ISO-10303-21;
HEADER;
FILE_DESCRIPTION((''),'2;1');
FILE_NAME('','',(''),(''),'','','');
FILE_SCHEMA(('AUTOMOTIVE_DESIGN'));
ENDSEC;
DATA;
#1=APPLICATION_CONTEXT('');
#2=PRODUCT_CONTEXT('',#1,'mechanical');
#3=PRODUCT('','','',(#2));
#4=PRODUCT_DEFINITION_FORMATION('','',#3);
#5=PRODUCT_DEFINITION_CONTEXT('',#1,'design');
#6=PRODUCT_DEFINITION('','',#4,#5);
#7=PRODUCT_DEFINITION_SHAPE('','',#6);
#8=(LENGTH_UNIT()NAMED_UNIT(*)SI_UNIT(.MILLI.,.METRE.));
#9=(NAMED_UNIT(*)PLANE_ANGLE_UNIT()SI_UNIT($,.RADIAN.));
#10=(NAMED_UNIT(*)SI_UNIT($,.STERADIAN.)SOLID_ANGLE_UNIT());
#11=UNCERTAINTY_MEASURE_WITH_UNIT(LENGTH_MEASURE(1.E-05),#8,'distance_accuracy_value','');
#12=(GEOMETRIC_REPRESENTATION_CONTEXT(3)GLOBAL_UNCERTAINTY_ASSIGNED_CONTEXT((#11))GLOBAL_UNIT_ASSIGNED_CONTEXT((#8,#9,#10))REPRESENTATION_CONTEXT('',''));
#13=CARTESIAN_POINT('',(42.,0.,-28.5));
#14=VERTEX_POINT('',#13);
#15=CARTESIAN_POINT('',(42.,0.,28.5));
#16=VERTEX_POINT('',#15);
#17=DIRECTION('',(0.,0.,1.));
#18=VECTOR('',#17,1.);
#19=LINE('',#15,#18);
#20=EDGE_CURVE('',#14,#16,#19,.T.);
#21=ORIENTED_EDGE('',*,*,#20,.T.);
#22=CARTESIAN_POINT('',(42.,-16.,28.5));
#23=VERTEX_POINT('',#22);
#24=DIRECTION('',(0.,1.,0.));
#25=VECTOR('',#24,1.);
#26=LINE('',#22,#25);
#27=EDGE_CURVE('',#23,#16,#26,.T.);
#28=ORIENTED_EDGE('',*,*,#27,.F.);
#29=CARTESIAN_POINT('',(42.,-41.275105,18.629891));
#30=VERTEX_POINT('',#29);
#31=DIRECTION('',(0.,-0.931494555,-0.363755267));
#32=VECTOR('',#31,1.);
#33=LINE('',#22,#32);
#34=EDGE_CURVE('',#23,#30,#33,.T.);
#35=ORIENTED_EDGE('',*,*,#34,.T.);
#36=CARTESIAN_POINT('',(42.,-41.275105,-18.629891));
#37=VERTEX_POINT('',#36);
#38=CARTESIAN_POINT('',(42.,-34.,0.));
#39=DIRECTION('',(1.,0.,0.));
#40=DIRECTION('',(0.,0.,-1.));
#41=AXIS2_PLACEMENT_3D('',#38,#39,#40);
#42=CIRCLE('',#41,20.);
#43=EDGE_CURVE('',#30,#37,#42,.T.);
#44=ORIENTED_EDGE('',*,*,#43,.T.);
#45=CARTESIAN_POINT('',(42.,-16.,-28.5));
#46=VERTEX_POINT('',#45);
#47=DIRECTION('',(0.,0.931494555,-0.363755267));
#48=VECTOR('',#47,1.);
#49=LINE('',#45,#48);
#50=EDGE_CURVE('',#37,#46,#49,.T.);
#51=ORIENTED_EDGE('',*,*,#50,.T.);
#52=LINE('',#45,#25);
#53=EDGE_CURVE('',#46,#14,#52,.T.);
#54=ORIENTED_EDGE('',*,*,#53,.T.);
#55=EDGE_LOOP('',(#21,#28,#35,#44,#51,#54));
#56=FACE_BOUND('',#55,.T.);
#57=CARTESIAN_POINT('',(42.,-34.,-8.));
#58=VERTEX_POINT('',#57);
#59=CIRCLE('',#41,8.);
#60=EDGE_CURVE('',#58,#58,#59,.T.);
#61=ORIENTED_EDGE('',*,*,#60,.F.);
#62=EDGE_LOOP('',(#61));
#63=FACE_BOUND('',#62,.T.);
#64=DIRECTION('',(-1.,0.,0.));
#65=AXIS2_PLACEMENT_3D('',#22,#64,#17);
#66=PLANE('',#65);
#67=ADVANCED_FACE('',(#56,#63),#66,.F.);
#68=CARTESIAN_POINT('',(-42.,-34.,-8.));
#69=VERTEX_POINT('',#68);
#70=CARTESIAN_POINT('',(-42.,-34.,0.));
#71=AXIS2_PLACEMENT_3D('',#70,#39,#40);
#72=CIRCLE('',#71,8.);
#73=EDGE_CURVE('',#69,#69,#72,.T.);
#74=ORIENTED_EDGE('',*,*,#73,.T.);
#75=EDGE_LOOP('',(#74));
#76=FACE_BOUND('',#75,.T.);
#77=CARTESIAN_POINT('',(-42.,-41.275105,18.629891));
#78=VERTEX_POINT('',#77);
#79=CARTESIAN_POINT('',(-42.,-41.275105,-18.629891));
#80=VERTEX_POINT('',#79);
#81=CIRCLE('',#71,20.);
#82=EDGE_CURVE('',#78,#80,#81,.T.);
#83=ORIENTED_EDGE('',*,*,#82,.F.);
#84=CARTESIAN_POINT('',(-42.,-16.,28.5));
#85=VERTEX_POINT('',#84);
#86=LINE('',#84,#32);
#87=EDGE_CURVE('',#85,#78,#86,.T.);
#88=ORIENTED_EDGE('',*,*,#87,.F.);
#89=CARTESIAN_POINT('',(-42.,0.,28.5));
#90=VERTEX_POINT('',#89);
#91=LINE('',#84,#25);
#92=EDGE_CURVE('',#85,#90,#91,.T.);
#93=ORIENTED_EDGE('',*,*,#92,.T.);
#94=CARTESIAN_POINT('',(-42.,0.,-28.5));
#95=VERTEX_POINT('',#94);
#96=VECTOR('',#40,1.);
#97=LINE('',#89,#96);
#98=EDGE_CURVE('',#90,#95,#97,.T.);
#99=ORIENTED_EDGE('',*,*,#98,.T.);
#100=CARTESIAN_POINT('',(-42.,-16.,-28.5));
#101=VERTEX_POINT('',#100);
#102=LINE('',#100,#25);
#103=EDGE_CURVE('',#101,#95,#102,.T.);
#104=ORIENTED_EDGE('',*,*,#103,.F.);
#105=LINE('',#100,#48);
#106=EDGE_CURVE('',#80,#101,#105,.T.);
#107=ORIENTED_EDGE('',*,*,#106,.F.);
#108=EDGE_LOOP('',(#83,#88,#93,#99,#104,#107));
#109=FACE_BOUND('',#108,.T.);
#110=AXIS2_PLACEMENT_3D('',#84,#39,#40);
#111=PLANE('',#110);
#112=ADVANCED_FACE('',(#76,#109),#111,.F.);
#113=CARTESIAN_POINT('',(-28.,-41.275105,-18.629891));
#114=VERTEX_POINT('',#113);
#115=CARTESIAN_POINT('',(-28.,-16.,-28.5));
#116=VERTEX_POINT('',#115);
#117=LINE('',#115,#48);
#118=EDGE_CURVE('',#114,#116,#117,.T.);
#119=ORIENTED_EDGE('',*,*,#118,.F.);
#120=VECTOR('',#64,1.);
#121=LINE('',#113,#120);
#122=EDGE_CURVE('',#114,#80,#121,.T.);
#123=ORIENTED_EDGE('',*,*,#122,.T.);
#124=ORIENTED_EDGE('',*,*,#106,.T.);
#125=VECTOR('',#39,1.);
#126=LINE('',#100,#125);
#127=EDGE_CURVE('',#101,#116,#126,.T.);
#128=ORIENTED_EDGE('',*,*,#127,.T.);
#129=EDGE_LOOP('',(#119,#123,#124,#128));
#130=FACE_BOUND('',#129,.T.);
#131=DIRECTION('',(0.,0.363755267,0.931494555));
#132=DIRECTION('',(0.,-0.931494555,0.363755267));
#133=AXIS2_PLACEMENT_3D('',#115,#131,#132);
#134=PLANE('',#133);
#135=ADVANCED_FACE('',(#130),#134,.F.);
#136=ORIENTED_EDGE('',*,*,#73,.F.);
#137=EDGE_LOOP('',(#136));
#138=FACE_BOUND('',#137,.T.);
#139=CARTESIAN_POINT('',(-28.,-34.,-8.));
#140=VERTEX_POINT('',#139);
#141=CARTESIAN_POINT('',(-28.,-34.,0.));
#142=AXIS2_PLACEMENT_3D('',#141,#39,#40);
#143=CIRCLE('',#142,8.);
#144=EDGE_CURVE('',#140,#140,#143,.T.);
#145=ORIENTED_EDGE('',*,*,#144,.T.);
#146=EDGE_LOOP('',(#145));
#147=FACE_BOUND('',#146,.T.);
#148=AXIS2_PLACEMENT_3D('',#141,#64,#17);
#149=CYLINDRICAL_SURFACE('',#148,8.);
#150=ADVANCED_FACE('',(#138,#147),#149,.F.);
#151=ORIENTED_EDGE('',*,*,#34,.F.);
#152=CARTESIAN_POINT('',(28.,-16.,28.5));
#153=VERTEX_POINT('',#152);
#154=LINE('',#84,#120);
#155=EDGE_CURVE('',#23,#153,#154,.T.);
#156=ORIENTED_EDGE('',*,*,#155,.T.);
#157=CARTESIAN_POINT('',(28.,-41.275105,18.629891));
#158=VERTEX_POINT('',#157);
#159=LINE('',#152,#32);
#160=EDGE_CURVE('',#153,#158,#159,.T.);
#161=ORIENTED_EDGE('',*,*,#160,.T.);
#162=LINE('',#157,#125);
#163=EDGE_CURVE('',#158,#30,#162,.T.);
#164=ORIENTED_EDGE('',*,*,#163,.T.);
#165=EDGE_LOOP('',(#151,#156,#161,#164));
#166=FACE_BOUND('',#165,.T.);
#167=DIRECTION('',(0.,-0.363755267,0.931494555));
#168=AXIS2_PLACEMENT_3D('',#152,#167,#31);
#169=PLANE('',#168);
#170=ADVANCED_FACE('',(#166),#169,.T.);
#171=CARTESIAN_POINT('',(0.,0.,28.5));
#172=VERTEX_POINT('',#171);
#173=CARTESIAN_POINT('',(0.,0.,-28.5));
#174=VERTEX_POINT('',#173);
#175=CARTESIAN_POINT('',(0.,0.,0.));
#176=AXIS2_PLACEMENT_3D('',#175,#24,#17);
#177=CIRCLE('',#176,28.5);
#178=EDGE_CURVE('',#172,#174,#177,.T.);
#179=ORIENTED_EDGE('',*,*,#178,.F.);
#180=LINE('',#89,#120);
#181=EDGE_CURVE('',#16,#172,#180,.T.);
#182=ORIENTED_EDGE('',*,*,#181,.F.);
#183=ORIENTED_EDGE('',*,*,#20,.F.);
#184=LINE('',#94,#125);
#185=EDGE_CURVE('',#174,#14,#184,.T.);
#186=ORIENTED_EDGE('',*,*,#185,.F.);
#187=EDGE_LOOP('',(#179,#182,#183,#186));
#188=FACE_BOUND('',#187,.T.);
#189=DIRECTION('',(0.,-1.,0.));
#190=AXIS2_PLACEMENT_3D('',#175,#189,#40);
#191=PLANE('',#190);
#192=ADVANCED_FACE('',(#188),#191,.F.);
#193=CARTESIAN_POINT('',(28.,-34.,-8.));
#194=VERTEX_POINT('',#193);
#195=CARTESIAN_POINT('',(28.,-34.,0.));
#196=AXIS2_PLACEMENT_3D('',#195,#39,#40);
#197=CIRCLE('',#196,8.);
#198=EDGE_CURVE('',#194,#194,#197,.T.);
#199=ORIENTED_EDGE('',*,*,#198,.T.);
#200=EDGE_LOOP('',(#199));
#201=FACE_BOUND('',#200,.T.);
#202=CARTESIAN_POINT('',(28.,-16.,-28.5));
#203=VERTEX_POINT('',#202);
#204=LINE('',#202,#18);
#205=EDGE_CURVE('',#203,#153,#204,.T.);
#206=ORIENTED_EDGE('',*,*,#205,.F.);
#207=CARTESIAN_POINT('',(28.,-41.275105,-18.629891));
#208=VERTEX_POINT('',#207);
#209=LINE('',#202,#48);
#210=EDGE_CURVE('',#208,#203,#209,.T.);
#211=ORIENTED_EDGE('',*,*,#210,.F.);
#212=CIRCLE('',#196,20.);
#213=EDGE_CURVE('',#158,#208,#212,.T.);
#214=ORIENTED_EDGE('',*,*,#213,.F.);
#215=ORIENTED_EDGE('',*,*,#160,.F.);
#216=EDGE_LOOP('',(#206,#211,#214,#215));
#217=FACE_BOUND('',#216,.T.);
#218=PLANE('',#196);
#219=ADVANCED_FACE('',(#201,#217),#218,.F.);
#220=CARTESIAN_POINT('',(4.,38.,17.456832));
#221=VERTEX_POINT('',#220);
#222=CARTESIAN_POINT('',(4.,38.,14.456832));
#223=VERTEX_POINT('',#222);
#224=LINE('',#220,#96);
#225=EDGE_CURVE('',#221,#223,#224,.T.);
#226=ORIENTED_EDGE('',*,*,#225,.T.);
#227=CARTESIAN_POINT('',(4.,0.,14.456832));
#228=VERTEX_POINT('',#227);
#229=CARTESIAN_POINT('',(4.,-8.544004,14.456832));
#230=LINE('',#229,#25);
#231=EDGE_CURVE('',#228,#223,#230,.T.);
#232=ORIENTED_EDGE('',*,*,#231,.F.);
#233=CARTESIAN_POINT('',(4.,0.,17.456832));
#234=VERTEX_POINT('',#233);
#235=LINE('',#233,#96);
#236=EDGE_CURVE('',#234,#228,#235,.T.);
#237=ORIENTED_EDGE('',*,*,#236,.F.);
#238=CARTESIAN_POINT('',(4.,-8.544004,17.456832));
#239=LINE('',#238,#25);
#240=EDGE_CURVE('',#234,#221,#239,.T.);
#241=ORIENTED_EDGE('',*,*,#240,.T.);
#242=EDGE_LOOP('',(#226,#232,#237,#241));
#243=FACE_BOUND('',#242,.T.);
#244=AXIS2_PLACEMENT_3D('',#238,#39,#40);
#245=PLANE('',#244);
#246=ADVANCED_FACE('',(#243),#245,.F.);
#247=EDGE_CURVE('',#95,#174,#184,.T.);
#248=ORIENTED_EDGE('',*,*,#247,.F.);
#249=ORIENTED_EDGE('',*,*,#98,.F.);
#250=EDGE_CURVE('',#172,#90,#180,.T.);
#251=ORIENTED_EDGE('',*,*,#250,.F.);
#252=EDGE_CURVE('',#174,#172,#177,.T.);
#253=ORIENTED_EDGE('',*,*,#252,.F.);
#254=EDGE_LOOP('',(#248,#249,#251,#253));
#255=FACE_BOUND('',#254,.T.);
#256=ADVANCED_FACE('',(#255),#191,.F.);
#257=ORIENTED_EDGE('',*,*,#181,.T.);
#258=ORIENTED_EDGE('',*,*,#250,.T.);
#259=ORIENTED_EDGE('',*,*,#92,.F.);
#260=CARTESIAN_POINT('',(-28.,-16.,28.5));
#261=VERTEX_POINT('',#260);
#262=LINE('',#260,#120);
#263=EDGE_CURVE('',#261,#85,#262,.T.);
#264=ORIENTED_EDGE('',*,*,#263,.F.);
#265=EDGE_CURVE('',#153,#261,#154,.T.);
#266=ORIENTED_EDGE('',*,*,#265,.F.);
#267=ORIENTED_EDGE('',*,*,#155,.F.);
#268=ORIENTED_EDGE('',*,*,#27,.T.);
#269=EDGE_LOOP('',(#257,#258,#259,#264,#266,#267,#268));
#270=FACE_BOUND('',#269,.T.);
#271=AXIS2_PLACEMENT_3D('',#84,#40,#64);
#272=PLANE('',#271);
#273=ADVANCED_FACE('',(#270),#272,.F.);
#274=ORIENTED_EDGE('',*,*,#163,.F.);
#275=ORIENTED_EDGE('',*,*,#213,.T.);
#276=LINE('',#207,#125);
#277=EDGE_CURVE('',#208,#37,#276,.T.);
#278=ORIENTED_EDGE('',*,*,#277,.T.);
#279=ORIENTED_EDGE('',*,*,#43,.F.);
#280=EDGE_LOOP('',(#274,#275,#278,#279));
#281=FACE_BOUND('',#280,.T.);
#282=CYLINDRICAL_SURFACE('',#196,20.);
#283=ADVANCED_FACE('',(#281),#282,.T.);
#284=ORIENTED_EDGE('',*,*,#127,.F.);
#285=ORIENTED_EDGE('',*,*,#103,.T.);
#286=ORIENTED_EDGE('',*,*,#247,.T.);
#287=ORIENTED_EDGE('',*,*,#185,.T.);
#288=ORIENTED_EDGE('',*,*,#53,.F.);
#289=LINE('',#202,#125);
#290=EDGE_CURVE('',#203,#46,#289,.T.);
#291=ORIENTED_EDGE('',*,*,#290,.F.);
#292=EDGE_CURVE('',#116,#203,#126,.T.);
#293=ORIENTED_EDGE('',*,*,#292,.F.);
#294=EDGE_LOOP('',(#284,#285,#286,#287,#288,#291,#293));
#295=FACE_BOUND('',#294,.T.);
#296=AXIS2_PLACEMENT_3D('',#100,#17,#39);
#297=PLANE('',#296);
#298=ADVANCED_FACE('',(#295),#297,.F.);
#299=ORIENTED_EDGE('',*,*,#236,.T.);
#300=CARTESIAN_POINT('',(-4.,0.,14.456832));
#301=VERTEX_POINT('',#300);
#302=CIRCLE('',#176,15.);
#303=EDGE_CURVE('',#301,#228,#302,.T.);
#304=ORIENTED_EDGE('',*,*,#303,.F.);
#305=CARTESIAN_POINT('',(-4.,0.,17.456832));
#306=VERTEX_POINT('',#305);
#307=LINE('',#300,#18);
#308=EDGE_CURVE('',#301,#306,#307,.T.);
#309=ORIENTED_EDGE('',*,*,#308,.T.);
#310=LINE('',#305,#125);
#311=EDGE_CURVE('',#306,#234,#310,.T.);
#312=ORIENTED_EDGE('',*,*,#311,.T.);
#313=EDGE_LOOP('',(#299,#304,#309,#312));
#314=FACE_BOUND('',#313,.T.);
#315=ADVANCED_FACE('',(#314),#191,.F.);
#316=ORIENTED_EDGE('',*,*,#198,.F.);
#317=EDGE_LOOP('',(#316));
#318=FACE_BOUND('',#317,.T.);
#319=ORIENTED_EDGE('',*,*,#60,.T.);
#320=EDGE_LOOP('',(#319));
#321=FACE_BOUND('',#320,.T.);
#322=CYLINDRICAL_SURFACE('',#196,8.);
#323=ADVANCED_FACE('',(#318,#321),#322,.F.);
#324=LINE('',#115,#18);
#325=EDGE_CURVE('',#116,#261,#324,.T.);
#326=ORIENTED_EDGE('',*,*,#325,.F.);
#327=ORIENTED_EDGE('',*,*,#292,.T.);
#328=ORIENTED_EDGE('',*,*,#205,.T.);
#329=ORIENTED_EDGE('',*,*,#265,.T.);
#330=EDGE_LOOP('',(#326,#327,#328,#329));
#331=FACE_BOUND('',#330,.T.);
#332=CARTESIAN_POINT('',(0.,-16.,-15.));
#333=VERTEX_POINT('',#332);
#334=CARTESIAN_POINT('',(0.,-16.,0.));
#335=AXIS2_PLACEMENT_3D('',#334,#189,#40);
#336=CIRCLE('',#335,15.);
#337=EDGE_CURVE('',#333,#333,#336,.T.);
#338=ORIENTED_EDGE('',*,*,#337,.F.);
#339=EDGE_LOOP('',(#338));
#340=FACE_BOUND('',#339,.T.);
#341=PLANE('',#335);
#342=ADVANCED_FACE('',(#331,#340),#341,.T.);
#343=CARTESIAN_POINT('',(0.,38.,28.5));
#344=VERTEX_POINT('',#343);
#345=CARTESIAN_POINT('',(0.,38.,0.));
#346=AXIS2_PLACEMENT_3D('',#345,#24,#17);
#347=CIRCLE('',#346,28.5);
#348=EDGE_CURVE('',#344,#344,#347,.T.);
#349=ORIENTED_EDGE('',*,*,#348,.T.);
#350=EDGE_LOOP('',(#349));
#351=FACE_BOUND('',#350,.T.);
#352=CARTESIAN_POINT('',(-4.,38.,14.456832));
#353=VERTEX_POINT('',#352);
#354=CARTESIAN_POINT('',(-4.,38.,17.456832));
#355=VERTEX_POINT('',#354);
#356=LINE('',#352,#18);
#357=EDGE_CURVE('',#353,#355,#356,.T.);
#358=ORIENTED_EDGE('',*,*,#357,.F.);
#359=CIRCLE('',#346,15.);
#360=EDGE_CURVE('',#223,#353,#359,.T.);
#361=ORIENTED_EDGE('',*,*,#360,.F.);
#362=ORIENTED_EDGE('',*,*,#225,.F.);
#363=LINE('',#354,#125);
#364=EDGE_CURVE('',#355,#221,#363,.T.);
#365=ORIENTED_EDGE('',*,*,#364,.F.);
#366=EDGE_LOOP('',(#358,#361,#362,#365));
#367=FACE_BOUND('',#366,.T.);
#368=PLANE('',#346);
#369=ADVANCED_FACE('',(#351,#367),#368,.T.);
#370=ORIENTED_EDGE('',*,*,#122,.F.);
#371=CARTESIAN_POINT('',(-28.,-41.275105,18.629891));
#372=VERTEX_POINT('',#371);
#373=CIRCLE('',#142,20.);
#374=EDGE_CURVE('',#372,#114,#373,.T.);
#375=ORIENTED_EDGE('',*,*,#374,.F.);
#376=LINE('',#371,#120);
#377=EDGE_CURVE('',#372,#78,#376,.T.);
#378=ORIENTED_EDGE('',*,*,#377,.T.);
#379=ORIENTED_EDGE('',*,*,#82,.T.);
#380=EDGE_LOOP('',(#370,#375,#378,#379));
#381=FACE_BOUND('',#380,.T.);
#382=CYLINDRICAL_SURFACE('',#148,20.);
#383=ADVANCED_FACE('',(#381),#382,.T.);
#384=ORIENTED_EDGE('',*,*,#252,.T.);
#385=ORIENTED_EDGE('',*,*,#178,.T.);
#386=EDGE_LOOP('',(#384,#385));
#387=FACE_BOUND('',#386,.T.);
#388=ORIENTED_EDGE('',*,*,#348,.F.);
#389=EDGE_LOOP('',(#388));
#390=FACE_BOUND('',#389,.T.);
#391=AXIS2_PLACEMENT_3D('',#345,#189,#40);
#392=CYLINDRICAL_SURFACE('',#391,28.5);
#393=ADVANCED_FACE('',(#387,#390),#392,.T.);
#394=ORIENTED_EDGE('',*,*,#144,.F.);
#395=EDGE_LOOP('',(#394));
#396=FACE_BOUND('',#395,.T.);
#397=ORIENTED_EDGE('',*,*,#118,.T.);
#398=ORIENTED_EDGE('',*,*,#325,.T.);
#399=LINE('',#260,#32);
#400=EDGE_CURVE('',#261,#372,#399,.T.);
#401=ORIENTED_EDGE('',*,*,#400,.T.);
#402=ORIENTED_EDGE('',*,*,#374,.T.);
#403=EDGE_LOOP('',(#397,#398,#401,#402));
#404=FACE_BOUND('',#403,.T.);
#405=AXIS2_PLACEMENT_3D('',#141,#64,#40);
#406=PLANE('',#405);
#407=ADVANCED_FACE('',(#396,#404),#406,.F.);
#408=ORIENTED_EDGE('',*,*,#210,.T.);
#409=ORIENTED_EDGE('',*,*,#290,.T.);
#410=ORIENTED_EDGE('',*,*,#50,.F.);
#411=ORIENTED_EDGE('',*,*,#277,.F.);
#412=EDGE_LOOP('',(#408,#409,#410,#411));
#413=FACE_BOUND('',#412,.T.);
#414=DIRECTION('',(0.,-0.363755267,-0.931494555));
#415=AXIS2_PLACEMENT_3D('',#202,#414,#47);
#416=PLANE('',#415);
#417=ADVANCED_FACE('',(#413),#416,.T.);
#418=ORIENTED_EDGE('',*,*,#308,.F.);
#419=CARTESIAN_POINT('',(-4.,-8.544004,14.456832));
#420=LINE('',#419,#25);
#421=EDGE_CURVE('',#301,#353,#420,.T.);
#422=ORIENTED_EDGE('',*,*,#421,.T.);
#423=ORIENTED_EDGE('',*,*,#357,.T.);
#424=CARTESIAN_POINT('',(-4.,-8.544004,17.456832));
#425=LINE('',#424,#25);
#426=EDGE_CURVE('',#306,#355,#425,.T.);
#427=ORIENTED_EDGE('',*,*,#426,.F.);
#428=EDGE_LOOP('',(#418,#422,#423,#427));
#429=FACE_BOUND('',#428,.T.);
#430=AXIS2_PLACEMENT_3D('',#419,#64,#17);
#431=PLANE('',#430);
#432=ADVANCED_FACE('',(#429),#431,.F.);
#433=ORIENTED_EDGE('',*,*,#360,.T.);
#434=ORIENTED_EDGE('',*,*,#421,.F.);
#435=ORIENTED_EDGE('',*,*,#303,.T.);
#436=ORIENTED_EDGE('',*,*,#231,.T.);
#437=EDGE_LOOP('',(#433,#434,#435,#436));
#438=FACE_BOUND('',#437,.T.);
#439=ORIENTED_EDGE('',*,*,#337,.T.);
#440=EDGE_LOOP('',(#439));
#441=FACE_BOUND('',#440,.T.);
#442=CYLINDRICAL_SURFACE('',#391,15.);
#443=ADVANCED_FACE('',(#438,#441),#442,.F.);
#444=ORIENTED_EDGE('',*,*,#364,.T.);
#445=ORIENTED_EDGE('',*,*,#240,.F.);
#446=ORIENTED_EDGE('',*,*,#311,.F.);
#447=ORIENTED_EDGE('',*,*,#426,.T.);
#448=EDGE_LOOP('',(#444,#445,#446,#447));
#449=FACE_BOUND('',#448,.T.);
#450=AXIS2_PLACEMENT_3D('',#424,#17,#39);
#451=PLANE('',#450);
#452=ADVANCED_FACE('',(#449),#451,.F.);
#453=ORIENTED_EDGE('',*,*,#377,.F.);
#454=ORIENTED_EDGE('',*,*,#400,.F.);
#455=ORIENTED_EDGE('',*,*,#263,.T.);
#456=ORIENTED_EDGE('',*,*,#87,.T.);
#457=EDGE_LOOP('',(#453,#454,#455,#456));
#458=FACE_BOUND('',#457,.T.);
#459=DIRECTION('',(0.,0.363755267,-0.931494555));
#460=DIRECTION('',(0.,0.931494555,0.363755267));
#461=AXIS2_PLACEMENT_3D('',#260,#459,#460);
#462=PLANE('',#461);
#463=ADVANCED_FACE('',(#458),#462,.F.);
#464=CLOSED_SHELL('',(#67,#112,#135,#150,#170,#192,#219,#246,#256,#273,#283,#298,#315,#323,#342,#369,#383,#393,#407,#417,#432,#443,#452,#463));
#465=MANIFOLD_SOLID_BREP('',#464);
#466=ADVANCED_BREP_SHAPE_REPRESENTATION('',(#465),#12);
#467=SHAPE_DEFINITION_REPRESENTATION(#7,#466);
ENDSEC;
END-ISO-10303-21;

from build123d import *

# Parameters (mm, degrees)
SKETCH1_R           = 28.5
SKETCH1_R_2         = 15
BOSS_EXTRUDE1_DEPTH = 38
SKETCH2_W           = 84
SKETCH2_H           = 57
BOSS_EXTRUDE2_DEPTH = 16
SKETCH3_R           = 8
BOSS_EXTRUDE3_DEPTH = 14
CUT_EXTRUDE1_START  = -38
CUT_EXTRUDE1_DEPTH  = 38
CUT_EXTRUDE2_START  = -38
SKETCH5_R           = 15
CUT_EXTRUDE2_DEPTH  = 38


with BuildPart() as part:
    # Sketch1 → Boss-Extrude1 (new body)
    with BuildSketch(Plane(origin=(0, 0, 0), x_dir=(1, 0, 0), z_dir=(0, 1, 0))):
        with Locations(Location((0, 0, 0), (0, 0, 270))):
            Circle(SKETCH1_R)
        with Locations(Location((0, 0, 0), (0, 0, 270))):
            Circle(SKETCH1_R_2, mode=Mode.SUBTRACT)
    extrude(amount=BOSS_EXTRUDE1_DEPTH)

    # Sketch2 → Boss-Extrude2 (add)
    with BuildSketch(Plane.XZ):
        Rectangle(SKETCH2_W, SKETCH2_H)
    extrude(amount=BOSS_EXTRUDE2_DEPTH)

    # Sketch3 → Boss-Extrude3 (add)
    with BuildSketch(Plane(origin=(42, 0, 0), x_dir=(0, 0, -1), z_dir=(1, 0, 0))):
        with BuildLine():
            Line((-28.5, -16), (-18.629891095, -41.275105345))
            ThreePointArc((-18.629891095, -41.275105345), (0, -54), (18.629891095, -41.275105345))
            Line((18.629891095, -41.275105345), (28.5, -16))
            Line((28.5, -16), (-28.5, -16))
        make_face()
        with Locations((0, -34)):
            Circle(SKETCH3_R, mode=Mode.SUBTRACT)
    boss_extrude3 = extrude(amount=-BOSS_EXTRUDE3_DEPTH)

    # Mirror1: Boss-Extrude3 across plane
    add(boss_extrude3.mirror(Plane(origin=(0, 0, 0), x_dir=(0, 0, 1), z_dir=(1, 0, 0))))

    # Sketch4 → Cut-Extrude1 (cut)
    with BuildSketch(Plane(origin=(0, 38, 0), x_dir=(1, 0, 0), z_dir=(0, 1, 0)).offset(CUT_EXTRUDE1_START)):
        with BuildLine():
            Line((-4, -14.456832295), (-4, -17.456832295))
            Line((-4, -17.456832295), (4, -17.456832295))
            Line((4, -17.456832295), (4, -14.456832295))
            ThreePointArc((4, -14.456832295), (0, -15), (-4, -14.456832295))
        make_face()
    extrude(amount=CUT_EXTRUDE1_DEPTH, mode=Mode.SUBTRACT)

    # Sketch5 → Cut-Extrude2 (cut)
    with BuildSketch(Plane(origin=(0, 0, 0), x_dir=(1, 0, 0), z_dir=(0, 1, 0)).offset(CUT_EXTRUDE2_START)):
        with Locations(Location((0, 0, 0), (0, 0, 90))):
            Circle(SKETCH5_R)
    extrude(amount=CUT_EXTRUDE2_DEPTH, mode=Mode.SUBTRACT)


solid = part.part
